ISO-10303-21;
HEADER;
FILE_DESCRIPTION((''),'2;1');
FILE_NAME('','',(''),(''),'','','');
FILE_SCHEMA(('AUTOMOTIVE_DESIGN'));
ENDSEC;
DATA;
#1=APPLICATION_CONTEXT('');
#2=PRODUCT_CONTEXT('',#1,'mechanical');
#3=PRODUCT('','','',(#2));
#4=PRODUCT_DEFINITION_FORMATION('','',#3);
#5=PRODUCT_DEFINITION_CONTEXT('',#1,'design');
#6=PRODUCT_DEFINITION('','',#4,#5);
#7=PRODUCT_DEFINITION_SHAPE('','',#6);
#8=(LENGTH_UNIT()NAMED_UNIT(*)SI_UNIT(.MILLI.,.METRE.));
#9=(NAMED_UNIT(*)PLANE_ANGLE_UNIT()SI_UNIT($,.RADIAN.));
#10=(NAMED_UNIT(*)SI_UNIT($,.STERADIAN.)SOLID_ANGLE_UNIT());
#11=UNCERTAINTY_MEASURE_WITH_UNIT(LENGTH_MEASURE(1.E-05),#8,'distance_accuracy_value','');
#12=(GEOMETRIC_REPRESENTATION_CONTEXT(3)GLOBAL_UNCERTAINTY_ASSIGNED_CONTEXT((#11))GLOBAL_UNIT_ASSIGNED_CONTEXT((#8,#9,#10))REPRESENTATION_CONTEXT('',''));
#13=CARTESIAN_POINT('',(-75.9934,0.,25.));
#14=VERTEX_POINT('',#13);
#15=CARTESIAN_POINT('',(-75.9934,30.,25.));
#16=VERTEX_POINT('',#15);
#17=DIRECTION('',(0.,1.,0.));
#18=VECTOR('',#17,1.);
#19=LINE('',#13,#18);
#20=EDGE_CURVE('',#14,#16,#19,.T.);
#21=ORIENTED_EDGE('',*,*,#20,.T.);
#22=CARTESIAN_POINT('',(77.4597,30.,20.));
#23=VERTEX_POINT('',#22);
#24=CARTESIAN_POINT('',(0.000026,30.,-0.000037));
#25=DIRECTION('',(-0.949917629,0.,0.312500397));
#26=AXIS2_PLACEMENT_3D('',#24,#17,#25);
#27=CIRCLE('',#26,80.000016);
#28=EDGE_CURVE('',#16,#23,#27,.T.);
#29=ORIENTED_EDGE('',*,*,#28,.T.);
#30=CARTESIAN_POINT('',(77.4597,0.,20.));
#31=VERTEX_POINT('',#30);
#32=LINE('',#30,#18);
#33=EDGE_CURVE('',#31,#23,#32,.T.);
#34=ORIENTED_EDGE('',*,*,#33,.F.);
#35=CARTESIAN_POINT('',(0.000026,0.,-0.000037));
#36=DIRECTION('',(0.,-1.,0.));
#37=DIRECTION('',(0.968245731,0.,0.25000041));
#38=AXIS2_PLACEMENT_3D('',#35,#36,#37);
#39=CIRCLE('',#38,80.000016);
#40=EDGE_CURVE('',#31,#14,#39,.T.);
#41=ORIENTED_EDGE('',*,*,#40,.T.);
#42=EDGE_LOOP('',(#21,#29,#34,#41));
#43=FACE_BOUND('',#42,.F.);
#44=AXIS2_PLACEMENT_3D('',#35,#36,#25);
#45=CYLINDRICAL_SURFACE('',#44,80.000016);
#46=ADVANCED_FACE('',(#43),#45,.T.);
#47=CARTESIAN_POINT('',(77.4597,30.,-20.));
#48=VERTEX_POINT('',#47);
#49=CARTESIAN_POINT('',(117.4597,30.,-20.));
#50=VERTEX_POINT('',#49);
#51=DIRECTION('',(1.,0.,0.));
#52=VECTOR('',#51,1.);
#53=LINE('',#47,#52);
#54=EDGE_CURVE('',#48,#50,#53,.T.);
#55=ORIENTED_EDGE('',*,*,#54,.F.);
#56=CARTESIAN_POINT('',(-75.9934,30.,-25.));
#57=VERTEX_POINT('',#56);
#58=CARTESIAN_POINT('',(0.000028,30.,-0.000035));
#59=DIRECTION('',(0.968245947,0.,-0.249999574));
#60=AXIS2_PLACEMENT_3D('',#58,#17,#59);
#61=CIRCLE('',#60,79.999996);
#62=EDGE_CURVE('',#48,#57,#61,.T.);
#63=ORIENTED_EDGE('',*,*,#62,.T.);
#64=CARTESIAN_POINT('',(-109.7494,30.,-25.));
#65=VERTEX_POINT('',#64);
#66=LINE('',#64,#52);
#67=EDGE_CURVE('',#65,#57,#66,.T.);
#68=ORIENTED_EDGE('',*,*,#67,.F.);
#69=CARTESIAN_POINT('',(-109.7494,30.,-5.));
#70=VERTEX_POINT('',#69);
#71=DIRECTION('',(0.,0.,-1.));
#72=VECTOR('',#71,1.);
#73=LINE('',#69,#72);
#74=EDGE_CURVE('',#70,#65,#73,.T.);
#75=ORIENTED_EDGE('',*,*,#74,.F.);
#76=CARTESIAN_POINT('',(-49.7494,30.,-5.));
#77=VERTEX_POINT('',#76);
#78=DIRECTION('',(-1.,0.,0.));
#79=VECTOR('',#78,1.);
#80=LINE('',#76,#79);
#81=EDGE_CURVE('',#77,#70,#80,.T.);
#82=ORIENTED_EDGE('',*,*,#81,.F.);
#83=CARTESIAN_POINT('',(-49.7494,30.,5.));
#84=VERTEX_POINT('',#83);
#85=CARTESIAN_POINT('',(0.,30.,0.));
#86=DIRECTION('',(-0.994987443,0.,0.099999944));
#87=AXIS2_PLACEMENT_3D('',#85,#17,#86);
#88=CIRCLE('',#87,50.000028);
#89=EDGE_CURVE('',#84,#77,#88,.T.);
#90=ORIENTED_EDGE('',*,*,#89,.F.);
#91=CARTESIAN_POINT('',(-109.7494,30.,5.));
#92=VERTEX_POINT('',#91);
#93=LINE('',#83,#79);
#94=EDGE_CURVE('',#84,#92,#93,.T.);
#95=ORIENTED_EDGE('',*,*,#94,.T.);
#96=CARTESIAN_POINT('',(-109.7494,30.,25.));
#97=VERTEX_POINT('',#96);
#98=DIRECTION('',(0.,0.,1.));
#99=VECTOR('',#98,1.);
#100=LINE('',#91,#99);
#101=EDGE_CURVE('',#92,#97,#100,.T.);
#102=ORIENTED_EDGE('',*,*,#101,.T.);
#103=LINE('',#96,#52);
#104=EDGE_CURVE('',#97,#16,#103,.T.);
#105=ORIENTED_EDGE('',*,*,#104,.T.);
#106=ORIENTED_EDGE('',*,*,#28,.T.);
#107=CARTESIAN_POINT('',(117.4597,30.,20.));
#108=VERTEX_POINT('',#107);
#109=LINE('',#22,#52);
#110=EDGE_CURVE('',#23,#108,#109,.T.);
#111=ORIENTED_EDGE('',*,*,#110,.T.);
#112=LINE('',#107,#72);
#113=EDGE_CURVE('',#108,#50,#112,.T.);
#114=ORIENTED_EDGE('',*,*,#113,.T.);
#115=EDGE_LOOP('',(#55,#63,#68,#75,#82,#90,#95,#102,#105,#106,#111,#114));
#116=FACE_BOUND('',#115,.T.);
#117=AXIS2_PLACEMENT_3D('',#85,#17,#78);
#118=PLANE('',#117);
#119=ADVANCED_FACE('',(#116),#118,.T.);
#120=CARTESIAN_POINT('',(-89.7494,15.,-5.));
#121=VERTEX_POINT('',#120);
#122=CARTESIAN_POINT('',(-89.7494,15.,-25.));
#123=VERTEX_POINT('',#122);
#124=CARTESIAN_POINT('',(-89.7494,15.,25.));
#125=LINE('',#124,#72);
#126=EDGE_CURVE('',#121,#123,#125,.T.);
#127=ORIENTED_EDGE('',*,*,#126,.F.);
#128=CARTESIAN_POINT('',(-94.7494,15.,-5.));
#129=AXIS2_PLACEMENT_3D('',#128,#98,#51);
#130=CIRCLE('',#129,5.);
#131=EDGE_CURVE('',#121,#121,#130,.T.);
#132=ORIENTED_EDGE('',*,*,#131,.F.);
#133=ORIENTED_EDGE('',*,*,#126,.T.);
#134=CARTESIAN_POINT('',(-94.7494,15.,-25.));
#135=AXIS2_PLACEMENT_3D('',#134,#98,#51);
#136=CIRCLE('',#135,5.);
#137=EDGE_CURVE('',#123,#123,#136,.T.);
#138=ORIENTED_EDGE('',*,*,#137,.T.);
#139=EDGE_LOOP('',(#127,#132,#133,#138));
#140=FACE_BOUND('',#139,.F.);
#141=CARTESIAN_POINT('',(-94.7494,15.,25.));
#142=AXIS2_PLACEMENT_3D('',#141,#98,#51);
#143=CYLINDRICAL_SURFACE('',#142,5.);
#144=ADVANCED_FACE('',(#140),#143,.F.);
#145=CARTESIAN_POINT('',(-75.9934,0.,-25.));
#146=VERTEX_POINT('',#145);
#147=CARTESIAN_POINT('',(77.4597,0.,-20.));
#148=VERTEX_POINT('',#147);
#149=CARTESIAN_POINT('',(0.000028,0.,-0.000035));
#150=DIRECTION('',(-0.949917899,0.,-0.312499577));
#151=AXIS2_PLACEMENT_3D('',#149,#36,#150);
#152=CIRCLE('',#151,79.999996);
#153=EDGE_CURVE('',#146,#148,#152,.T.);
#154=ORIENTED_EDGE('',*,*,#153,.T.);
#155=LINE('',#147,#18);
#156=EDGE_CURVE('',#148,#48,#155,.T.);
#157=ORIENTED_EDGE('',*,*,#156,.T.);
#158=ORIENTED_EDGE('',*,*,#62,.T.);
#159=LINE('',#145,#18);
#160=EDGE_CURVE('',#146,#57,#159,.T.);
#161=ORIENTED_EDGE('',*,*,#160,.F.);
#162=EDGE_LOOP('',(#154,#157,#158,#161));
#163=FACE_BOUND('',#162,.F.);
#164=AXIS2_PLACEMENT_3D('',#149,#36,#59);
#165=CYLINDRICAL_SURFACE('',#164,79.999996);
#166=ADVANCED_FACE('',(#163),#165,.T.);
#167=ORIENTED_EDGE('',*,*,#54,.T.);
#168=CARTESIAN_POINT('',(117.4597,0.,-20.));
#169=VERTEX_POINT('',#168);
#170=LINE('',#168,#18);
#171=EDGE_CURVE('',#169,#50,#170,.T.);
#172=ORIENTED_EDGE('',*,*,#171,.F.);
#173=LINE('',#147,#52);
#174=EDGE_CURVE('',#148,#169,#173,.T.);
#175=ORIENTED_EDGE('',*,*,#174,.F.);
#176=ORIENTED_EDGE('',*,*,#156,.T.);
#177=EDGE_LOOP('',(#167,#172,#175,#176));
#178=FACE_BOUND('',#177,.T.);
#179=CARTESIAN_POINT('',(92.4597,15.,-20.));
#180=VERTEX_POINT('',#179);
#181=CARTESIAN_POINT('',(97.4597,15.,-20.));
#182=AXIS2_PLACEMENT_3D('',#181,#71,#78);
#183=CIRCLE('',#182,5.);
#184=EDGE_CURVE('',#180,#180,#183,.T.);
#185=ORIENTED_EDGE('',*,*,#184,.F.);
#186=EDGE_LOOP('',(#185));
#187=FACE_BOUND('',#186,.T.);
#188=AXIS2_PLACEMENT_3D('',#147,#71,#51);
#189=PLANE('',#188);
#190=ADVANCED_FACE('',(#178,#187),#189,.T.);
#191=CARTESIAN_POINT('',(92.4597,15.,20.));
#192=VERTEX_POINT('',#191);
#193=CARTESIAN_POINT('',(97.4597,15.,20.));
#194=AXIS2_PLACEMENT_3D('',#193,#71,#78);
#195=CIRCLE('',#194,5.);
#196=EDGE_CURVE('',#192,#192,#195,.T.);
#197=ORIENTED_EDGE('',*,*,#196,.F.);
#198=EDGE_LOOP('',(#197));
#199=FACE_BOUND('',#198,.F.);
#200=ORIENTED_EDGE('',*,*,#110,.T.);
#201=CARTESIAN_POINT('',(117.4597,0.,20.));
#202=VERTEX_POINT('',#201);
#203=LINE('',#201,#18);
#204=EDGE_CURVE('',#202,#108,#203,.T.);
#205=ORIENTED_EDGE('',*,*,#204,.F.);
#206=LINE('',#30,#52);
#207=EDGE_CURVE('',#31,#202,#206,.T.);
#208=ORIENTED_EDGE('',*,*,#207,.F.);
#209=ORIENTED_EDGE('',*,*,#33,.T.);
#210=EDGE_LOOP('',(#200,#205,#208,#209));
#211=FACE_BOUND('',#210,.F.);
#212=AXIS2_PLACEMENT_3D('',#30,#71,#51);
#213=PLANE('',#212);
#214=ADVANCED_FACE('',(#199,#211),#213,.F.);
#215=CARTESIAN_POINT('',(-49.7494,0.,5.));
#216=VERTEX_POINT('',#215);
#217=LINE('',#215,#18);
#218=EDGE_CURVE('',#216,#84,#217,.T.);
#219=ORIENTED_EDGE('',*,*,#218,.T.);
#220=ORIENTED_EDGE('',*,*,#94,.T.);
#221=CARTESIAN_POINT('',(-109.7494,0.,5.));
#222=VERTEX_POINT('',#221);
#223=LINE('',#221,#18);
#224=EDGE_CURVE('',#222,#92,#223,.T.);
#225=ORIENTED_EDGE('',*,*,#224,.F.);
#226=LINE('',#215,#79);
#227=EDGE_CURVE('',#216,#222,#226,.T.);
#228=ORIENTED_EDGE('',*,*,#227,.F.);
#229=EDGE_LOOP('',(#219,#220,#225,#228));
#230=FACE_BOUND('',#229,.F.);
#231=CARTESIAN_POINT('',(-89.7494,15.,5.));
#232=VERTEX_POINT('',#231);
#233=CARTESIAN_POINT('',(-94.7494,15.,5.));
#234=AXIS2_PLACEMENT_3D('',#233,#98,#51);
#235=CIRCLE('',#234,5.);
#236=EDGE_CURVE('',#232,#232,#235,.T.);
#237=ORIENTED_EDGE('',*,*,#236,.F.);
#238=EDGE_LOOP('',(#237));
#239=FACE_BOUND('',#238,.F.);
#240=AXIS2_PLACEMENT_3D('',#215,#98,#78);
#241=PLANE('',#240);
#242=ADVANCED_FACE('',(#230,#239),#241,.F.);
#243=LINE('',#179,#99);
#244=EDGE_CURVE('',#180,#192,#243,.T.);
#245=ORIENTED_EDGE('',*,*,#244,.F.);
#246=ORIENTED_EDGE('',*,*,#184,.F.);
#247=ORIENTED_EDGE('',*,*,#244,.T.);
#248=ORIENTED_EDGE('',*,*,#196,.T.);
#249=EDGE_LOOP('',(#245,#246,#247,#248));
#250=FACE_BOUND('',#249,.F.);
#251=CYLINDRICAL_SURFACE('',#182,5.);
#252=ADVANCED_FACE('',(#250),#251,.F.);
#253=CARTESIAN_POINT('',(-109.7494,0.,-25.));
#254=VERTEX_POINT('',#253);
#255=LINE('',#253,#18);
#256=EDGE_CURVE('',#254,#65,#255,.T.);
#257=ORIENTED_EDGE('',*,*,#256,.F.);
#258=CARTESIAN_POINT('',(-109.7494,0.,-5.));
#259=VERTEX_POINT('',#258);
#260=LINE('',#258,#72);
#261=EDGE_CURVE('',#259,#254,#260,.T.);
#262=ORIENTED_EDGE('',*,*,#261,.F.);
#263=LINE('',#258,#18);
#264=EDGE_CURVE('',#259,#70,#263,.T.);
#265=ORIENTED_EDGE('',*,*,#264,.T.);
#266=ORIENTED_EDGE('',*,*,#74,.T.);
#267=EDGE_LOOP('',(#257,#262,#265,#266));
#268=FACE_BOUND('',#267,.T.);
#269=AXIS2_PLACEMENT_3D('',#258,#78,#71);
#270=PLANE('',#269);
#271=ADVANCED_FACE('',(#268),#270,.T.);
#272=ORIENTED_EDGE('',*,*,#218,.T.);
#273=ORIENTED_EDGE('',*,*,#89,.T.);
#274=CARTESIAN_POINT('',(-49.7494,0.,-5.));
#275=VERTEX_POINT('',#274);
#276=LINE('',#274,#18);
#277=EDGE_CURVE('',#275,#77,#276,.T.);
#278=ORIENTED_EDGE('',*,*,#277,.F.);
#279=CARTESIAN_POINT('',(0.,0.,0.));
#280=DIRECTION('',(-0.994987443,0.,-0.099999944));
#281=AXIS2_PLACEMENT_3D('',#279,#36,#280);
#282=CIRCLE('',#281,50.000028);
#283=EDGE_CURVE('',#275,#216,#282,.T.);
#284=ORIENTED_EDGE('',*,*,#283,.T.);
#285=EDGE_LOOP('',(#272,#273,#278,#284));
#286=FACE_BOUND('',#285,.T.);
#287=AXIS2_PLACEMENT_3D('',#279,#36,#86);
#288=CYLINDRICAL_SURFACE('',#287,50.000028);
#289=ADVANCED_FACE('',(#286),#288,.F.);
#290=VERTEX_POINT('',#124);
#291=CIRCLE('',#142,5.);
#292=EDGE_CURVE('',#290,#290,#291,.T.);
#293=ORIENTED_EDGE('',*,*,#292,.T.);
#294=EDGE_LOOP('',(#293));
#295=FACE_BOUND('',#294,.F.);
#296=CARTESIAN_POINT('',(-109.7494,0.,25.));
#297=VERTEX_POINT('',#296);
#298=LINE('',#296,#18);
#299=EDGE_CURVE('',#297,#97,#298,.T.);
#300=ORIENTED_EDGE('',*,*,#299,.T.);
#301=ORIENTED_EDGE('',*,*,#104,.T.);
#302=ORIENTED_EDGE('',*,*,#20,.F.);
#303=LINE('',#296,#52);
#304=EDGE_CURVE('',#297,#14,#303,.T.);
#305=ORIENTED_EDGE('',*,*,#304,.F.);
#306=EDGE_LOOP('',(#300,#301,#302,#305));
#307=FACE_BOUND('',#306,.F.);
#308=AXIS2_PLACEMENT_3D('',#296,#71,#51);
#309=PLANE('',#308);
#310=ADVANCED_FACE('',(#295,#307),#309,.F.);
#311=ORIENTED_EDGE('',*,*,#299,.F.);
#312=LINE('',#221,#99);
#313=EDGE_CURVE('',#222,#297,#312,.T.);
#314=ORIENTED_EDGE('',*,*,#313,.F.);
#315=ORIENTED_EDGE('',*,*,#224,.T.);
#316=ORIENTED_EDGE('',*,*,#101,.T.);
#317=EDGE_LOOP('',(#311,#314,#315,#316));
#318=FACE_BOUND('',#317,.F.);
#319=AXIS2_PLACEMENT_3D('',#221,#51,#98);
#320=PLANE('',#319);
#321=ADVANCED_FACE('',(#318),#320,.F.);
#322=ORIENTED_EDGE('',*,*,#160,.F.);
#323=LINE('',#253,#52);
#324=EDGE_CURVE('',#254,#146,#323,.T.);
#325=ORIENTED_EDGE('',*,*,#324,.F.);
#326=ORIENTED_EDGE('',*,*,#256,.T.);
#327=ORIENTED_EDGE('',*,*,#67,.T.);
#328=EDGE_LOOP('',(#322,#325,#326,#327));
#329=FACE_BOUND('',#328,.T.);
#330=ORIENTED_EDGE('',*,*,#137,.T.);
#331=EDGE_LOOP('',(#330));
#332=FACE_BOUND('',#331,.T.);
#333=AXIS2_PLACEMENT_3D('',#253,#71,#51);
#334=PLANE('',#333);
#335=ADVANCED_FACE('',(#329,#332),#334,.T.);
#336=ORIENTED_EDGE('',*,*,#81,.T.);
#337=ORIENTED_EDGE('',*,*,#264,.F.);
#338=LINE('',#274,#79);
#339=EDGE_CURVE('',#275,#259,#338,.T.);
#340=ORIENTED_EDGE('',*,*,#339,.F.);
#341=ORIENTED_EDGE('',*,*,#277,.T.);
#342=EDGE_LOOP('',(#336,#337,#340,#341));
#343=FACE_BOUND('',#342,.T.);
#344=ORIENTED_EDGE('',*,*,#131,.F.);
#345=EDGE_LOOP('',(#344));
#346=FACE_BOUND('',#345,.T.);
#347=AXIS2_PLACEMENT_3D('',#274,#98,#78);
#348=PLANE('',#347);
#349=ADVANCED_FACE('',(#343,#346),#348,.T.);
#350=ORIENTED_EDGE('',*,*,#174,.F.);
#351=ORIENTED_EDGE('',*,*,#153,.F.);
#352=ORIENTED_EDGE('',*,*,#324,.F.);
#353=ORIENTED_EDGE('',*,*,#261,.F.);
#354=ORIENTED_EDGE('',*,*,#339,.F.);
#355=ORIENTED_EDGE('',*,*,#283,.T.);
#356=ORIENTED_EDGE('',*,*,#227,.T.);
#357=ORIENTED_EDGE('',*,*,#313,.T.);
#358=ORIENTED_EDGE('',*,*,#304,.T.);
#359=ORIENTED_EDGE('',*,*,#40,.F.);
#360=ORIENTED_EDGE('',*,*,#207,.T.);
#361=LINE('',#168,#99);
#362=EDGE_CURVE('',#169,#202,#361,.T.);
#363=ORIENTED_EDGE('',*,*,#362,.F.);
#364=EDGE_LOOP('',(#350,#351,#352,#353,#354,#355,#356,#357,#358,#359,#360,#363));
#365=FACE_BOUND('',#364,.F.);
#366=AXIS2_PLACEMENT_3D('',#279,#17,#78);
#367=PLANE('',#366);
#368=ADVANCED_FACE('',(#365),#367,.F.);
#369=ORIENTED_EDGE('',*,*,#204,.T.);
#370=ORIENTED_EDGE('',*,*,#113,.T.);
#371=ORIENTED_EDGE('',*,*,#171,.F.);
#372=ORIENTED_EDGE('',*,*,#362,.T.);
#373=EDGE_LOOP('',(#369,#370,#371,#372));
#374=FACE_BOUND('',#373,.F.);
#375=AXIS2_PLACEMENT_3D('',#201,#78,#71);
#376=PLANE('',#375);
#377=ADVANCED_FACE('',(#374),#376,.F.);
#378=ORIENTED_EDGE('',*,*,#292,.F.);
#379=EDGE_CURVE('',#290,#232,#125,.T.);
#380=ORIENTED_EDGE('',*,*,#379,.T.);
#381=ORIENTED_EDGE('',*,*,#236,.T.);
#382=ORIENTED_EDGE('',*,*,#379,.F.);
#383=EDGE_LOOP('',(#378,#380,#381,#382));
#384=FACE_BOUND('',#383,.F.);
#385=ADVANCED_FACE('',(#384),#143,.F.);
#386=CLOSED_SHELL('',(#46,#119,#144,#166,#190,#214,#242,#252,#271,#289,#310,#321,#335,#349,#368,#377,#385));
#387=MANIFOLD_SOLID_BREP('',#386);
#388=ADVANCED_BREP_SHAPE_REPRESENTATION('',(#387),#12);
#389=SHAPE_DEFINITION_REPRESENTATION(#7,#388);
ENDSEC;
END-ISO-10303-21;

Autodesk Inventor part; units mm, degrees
ref_plane "YZ Plane" through (0, 0, 0) normal (1, 0, 0) x (0, 1, 0)
ref_plane "XZ Plane" through (0, 0, 0) normal (0, 1, 0) x (-1, 0, 0)
ref_plane "XY Plane" through (0, 0, 0) normal (0, 0, 1) x (1, 0, 0)
sketch "Sketch1" plane through (0, 0, 0) normal (0, 1, 0) x (-1, 0, 0)
  arc A0 (49.7494, 5) -> (49.7494, -5) centre (0, 0) ccw
  line L0 (49.7494, 5) -> (109.7494, 5)
  line L1 (109.7494, 5) -> (109.7494, 25)
  line L2 (155.1912, 0) -> (-162.9015, 0) projected
  line L3 (0, -115.4406) -> (0, 115.4406) projected
  line L4 (109.7494, 25) -> (75.9934, 25)
  line L5 (49.7494, -5) -> (109.7494, -5)
  line L6 (109.7494, -5) -> (109.7494, -25)
  line L7 (109.7494, -25) -> (75.9934, -25)
  line L8 (-77.4597, 20) -> (-117.4597, 20)
  line L9 (-117.4597, 20) -> (-117.4597, 0)
  line L10 (-77.4597, -20) -> (-117.4597, -20)
  line L11 (-117.4597, -20) -> (-117.4597, 0)
  arc A1 (75.9934, 25) -> (-77.4597, 20) centre (0, 0) ccw
  arc A2 (-77.4597, -20) -> (75.9934, -25) centre (0, 0) ccw
  point P0 (43.3013, 25)
  point P1 (43.3013, -25)
  dimension "d0" = 100
  dimension "d4" = 5
  dimension "d5" = 20
  dimension "d13" = 20
  dimension "d14" = 40
  dimension "d20" = 60
extrude "Extrusion1" add sketch "Sketch1" along normal blind 30 contours A0 L3 A1 L4 L1 L0 | A0 L2 L9 L8 A1 L3 | A0 L3 A2 L10 L11 L2 | A0 L5 L6 L7 A2 L3
sketch "Sketch3" plane through (-109.7494, 0, 25) normal (0, 0, 1) x (1, 0, 0)
  circle A0 centre (15, 15) radius 5
  line L0 (0, 0) -> (33.756, 0) projected
  line L1 (0, 0) -> (0, 30) projected
  point P0 (109.7494, 0)
  dimension "d8" = 10
  dimension "d9" = 15
  dimension "d10" = 15
extrude "Extrusion2" cut sketch "Sketch3" against normal through all
sketch "Sketch4" plane through (117.4597, 0, -20) normal (0, 0, -1) x (-1, 0, 0)
  circle A0 centre (20, 15) radius 5
  line L0 (0, 0) -> (0, 30) projected
  line L1 (0, 30) -> (40, 30) projected
  point P0 (117.4597, 0)
  dimension "d15" = 10
  dimension "d16" = 20
  dimension "d17" = 15
extrude "Extrusion3" cut sketch "Sketch4" against normal through all
equation "\"d0\" = Grip"
equation "\"Grip\" = 100"
properties part number "mallet_holder"
